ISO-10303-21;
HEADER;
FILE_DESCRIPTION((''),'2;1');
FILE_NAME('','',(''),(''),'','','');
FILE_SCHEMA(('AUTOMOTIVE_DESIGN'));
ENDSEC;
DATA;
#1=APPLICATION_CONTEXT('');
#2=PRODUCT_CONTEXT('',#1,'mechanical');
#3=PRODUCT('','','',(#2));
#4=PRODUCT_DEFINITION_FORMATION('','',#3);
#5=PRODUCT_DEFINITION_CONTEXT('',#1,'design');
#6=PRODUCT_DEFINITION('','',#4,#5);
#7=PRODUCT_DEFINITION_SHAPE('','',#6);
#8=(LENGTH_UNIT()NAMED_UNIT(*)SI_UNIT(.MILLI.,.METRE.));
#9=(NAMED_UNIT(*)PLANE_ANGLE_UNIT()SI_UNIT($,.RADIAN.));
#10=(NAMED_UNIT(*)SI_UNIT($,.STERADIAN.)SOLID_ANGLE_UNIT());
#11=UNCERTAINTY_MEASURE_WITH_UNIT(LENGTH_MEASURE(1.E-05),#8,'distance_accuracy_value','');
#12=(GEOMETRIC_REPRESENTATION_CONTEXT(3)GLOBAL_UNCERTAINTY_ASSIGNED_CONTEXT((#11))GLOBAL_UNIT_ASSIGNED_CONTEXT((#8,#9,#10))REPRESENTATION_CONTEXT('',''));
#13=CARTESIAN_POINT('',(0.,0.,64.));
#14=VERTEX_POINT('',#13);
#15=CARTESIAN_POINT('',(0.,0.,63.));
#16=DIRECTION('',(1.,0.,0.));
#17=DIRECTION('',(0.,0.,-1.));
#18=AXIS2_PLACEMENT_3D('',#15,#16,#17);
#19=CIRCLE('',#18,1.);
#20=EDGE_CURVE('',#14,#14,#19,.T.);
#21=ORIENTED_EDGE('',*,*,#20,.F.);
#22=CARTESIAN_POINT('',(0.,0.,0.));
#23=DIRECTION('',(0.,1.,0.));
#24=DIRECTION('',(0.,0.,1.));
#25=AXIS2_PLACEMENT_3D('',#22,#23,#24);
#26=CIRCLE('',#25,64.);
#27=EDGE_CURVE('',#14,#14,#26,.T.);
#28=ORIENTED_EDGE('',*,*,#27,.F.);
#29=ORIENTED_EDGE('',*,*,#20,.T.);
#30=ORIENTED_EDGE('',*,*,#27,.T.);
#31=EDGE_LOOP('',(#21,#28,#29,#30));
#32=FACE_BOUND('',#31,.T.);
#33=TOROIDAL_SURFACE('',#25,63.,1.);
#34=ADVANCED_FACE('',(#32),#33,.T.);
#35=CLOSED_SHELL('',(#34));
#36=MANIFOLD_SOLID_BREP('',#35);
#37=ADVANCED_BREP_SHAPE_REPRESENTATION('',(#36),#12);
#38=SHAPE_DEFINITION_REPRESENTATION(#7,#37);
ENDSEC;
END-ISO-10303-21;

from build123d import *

# Parameters (mm, degrees)
SWEEP1_PROFILE_R = 1


with BuildPart() as part:
    # Sweep1: sweep along a path in Sketch1
    with BuildLine(Plane(origin=(0, 0, 0), x_dir=(1, 0, 0), z_dir=(0, 1, 0))) as sweep1_path:
        CenterArc((0, 0), 63, 0, 360)
    # Sweep1 profile (on start of the path) → Sweep1 (sweep)
    with BuildSketch(Plane(origin=(63, 0, 0), x_dir=(-1, 0, 0), z_dir=(0, 0, -1))):
        Circle(SWEEP1_PROFILE_R)
    sweep(path=sweep1_path.line)


solid = part.part
